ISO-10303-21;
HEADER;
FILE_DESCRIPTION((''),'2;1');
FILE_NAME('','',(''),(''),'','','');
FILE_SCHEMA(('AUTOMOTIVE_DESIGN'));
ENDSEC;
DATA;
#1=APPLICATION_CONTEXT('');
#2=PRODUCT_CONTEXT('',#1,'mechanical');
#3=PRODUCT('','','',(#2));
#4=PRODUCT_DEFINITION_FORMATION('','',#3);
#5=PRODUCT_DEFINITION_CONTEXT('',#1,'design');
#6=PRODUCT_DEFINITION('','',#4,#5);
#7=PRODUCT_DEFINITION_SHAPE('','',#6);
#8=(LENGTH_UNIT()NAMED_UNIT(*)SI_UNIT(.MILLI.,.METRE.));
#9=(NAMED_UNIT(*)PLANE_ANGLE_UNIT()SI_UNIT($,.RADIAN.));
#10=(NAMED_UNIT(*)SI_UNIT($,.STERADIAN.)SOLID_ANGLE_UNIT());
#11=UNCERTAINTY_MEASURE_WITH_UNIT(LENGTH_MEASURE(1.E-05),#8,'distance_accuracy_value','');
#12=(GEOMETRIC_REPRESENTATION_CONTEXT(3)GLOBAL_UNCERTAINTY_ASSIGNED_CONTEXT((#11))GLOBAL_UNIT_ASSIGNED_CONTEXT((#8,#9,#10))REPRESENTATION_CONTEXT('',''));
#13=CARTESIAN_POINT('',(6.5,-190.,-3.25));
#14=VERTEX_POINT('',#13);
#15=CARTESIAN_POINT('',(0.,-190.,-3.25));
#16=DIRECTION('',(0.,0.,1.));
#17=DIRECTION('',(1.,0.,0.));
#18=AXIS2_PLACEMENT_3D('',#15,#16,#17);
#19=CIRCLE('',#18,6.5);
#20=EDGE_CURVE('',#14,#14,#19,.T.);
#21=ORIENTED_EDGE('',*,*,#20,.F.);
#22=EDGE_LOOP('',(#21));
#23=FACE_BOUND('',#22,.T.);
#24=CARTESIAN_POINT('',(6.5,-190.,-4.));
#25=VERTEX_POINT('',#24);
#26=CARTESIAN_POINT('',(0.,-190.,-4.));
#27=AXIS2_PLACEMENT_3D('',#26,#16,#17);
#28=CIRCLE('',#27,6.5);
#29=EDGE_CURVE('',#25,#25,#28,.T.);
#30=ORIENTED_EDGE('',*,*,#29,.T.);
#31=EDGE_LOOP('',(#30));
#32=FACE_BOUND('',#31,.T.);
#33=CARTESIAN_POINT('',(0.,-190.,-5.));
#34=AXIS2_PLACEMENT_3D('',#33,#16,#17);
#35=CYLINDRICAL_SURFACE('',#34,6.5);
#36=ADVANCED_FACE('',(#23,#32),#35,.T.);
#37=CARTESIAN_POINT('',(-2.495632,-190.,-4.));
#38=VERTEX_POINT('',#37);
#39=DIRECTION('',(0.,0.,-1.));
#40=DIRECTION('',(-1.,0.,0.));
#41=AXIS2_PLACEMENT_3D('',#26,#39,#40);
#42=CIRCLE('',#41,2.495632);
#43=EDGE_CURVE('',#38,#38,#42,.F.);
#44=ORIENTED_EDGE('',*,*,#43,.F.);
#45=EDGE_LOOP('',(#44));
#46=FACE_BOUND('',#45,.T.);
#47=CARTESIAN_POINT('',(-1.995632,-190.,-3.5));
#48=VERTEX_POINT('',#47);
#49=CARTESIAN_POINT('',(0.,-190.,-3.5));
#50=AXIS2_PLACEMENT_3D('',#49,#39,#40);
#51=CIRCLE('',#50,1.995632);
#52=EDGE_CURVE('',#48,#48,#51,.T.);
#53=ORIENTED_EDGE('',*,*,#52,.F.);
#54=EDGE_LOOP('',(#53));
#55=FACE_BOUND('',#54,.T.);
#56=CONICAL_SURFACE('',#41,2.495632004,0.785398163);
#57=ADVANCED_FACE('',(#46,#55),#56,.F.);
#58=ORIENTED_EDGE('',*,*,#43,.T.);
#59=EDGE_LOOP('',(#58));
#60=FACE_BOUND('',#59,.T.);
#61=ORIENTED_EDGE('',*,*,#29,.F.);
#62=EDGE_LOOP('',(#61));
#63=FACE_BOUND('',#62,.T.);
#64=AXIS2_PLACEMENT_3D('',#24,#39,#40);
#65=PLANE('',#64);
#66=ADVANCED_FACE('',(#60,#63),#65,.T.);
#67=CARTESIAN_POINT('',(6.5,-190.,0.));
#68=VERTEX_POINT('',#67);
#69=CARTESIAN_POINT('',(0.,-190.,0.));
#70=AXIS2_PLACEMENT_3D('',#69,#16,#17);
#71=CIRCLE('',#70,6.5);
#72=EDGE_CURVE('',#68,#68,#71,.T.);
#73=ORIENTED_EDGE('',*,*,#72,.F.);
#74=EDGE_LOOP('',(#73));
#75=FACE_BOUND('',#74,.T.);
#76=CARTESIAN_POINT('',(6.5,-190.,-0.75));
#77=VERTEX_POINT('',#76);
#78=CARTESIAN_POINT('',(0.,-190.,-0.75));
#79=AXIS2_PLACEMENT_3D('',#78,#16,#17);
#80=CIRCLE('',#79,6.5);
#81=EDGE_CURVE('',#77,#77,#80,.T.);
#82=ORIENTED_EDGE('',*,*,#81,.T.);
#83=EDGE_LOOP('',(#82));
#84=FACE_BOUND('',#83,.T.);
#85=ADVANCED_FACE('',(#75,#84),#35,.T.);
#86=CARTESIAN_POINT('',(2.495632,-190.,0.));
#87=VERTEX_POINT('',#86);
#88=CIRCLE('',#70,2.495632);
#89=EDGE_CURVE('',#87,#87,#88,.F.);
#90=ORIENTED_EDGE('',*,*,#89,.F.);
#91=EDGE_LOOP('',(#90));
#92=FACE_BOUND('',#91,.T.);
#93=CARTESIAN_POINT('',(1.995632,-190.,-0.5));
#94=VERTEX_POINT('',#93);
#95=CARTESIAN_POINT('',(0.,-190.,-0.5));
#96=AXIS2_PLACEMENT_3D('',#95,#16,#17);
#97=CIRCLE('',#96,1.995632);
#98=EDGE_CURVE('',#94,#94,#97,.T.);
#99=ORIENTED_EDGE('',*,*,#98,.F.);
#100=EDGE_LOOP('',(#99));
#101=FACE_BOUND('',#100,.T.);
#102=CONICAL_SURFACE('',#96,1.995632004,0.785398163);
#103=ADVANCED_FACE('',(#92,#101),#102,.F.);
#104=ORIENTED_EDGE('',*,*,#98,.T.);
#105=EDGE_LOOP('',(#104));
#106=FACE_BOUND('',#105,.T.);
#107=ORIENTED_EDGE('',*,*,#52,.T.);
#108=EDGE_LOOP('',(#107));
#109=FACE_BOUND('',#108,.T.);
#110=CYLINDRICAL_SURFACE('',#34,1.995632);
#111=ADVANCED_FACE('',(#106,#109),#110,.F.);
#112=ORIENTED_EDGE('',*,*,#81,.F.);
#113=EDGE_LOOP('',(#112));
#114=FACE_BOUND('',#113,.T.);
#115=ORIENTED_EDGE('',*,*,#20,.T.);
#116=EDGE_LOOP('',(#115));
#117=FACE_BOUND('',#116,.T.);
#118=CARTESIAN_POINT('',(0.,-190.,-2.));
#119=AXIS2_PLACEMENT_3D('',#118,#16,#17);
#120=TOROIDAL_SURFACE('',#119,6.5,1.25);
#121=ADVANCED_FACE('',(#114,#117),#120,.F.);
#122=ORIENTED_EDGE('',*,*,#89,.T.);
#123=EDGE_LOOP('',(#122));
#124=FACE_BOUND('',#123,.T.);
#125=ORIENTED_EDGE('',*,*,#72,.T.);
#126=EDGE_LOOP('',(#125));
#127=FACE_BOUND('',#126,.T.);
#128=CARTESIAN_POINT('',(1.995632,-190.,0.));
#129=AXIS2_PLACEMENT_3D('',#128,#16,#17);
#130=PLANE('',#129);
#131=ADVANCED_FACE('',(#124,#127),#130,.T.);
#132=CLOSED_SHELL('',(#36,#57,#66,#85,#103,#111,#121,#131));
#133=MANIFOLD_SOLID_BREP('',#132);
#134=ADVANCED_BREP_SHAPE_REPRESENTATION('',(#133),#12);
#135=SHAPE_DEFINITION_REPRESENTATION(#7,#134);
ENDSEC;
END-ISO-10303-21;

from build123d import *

# Parameters (mm, degrees)
CHAFL_N2_SIZE = 0.5


with BuildPart() as part:
    # Croquis1 → Revolución1 (revolve)
    with BuildSketch(Plane(origin=(0, -190, 0), x_dir=(1, 0, 0), z_dir=(0, 1, 0))):
        with BuildLine():
            Line((6.5, 0), (6.5, 0.75))
            ThreePointArc((6.5, 0.75), (5.25, 2), (6.5, 3.25))
            Line((6.5, 3.25), (6.5, 4))
            Line((6.5, 4), (1.995632004, 4))
            Line((1.995632004, 4), (1.995632004, 0))
            Line((1.995632004, 0), (6.5, 0))
        make_face()
    revolve(axis=Axis((0, -190, -5), (0, 0, 1)))

    # Chaflán2
    chafl_n2_edges = [part.edges().sort_by_distance(p)[0] for p in [
        (-1.995632004, -190, 0),
        (-1.995632004, -190, -4),
    ]]
    chamfer(chafl_n2_edges, length=CHAFL_N2_SIZE)


solid = part.part
